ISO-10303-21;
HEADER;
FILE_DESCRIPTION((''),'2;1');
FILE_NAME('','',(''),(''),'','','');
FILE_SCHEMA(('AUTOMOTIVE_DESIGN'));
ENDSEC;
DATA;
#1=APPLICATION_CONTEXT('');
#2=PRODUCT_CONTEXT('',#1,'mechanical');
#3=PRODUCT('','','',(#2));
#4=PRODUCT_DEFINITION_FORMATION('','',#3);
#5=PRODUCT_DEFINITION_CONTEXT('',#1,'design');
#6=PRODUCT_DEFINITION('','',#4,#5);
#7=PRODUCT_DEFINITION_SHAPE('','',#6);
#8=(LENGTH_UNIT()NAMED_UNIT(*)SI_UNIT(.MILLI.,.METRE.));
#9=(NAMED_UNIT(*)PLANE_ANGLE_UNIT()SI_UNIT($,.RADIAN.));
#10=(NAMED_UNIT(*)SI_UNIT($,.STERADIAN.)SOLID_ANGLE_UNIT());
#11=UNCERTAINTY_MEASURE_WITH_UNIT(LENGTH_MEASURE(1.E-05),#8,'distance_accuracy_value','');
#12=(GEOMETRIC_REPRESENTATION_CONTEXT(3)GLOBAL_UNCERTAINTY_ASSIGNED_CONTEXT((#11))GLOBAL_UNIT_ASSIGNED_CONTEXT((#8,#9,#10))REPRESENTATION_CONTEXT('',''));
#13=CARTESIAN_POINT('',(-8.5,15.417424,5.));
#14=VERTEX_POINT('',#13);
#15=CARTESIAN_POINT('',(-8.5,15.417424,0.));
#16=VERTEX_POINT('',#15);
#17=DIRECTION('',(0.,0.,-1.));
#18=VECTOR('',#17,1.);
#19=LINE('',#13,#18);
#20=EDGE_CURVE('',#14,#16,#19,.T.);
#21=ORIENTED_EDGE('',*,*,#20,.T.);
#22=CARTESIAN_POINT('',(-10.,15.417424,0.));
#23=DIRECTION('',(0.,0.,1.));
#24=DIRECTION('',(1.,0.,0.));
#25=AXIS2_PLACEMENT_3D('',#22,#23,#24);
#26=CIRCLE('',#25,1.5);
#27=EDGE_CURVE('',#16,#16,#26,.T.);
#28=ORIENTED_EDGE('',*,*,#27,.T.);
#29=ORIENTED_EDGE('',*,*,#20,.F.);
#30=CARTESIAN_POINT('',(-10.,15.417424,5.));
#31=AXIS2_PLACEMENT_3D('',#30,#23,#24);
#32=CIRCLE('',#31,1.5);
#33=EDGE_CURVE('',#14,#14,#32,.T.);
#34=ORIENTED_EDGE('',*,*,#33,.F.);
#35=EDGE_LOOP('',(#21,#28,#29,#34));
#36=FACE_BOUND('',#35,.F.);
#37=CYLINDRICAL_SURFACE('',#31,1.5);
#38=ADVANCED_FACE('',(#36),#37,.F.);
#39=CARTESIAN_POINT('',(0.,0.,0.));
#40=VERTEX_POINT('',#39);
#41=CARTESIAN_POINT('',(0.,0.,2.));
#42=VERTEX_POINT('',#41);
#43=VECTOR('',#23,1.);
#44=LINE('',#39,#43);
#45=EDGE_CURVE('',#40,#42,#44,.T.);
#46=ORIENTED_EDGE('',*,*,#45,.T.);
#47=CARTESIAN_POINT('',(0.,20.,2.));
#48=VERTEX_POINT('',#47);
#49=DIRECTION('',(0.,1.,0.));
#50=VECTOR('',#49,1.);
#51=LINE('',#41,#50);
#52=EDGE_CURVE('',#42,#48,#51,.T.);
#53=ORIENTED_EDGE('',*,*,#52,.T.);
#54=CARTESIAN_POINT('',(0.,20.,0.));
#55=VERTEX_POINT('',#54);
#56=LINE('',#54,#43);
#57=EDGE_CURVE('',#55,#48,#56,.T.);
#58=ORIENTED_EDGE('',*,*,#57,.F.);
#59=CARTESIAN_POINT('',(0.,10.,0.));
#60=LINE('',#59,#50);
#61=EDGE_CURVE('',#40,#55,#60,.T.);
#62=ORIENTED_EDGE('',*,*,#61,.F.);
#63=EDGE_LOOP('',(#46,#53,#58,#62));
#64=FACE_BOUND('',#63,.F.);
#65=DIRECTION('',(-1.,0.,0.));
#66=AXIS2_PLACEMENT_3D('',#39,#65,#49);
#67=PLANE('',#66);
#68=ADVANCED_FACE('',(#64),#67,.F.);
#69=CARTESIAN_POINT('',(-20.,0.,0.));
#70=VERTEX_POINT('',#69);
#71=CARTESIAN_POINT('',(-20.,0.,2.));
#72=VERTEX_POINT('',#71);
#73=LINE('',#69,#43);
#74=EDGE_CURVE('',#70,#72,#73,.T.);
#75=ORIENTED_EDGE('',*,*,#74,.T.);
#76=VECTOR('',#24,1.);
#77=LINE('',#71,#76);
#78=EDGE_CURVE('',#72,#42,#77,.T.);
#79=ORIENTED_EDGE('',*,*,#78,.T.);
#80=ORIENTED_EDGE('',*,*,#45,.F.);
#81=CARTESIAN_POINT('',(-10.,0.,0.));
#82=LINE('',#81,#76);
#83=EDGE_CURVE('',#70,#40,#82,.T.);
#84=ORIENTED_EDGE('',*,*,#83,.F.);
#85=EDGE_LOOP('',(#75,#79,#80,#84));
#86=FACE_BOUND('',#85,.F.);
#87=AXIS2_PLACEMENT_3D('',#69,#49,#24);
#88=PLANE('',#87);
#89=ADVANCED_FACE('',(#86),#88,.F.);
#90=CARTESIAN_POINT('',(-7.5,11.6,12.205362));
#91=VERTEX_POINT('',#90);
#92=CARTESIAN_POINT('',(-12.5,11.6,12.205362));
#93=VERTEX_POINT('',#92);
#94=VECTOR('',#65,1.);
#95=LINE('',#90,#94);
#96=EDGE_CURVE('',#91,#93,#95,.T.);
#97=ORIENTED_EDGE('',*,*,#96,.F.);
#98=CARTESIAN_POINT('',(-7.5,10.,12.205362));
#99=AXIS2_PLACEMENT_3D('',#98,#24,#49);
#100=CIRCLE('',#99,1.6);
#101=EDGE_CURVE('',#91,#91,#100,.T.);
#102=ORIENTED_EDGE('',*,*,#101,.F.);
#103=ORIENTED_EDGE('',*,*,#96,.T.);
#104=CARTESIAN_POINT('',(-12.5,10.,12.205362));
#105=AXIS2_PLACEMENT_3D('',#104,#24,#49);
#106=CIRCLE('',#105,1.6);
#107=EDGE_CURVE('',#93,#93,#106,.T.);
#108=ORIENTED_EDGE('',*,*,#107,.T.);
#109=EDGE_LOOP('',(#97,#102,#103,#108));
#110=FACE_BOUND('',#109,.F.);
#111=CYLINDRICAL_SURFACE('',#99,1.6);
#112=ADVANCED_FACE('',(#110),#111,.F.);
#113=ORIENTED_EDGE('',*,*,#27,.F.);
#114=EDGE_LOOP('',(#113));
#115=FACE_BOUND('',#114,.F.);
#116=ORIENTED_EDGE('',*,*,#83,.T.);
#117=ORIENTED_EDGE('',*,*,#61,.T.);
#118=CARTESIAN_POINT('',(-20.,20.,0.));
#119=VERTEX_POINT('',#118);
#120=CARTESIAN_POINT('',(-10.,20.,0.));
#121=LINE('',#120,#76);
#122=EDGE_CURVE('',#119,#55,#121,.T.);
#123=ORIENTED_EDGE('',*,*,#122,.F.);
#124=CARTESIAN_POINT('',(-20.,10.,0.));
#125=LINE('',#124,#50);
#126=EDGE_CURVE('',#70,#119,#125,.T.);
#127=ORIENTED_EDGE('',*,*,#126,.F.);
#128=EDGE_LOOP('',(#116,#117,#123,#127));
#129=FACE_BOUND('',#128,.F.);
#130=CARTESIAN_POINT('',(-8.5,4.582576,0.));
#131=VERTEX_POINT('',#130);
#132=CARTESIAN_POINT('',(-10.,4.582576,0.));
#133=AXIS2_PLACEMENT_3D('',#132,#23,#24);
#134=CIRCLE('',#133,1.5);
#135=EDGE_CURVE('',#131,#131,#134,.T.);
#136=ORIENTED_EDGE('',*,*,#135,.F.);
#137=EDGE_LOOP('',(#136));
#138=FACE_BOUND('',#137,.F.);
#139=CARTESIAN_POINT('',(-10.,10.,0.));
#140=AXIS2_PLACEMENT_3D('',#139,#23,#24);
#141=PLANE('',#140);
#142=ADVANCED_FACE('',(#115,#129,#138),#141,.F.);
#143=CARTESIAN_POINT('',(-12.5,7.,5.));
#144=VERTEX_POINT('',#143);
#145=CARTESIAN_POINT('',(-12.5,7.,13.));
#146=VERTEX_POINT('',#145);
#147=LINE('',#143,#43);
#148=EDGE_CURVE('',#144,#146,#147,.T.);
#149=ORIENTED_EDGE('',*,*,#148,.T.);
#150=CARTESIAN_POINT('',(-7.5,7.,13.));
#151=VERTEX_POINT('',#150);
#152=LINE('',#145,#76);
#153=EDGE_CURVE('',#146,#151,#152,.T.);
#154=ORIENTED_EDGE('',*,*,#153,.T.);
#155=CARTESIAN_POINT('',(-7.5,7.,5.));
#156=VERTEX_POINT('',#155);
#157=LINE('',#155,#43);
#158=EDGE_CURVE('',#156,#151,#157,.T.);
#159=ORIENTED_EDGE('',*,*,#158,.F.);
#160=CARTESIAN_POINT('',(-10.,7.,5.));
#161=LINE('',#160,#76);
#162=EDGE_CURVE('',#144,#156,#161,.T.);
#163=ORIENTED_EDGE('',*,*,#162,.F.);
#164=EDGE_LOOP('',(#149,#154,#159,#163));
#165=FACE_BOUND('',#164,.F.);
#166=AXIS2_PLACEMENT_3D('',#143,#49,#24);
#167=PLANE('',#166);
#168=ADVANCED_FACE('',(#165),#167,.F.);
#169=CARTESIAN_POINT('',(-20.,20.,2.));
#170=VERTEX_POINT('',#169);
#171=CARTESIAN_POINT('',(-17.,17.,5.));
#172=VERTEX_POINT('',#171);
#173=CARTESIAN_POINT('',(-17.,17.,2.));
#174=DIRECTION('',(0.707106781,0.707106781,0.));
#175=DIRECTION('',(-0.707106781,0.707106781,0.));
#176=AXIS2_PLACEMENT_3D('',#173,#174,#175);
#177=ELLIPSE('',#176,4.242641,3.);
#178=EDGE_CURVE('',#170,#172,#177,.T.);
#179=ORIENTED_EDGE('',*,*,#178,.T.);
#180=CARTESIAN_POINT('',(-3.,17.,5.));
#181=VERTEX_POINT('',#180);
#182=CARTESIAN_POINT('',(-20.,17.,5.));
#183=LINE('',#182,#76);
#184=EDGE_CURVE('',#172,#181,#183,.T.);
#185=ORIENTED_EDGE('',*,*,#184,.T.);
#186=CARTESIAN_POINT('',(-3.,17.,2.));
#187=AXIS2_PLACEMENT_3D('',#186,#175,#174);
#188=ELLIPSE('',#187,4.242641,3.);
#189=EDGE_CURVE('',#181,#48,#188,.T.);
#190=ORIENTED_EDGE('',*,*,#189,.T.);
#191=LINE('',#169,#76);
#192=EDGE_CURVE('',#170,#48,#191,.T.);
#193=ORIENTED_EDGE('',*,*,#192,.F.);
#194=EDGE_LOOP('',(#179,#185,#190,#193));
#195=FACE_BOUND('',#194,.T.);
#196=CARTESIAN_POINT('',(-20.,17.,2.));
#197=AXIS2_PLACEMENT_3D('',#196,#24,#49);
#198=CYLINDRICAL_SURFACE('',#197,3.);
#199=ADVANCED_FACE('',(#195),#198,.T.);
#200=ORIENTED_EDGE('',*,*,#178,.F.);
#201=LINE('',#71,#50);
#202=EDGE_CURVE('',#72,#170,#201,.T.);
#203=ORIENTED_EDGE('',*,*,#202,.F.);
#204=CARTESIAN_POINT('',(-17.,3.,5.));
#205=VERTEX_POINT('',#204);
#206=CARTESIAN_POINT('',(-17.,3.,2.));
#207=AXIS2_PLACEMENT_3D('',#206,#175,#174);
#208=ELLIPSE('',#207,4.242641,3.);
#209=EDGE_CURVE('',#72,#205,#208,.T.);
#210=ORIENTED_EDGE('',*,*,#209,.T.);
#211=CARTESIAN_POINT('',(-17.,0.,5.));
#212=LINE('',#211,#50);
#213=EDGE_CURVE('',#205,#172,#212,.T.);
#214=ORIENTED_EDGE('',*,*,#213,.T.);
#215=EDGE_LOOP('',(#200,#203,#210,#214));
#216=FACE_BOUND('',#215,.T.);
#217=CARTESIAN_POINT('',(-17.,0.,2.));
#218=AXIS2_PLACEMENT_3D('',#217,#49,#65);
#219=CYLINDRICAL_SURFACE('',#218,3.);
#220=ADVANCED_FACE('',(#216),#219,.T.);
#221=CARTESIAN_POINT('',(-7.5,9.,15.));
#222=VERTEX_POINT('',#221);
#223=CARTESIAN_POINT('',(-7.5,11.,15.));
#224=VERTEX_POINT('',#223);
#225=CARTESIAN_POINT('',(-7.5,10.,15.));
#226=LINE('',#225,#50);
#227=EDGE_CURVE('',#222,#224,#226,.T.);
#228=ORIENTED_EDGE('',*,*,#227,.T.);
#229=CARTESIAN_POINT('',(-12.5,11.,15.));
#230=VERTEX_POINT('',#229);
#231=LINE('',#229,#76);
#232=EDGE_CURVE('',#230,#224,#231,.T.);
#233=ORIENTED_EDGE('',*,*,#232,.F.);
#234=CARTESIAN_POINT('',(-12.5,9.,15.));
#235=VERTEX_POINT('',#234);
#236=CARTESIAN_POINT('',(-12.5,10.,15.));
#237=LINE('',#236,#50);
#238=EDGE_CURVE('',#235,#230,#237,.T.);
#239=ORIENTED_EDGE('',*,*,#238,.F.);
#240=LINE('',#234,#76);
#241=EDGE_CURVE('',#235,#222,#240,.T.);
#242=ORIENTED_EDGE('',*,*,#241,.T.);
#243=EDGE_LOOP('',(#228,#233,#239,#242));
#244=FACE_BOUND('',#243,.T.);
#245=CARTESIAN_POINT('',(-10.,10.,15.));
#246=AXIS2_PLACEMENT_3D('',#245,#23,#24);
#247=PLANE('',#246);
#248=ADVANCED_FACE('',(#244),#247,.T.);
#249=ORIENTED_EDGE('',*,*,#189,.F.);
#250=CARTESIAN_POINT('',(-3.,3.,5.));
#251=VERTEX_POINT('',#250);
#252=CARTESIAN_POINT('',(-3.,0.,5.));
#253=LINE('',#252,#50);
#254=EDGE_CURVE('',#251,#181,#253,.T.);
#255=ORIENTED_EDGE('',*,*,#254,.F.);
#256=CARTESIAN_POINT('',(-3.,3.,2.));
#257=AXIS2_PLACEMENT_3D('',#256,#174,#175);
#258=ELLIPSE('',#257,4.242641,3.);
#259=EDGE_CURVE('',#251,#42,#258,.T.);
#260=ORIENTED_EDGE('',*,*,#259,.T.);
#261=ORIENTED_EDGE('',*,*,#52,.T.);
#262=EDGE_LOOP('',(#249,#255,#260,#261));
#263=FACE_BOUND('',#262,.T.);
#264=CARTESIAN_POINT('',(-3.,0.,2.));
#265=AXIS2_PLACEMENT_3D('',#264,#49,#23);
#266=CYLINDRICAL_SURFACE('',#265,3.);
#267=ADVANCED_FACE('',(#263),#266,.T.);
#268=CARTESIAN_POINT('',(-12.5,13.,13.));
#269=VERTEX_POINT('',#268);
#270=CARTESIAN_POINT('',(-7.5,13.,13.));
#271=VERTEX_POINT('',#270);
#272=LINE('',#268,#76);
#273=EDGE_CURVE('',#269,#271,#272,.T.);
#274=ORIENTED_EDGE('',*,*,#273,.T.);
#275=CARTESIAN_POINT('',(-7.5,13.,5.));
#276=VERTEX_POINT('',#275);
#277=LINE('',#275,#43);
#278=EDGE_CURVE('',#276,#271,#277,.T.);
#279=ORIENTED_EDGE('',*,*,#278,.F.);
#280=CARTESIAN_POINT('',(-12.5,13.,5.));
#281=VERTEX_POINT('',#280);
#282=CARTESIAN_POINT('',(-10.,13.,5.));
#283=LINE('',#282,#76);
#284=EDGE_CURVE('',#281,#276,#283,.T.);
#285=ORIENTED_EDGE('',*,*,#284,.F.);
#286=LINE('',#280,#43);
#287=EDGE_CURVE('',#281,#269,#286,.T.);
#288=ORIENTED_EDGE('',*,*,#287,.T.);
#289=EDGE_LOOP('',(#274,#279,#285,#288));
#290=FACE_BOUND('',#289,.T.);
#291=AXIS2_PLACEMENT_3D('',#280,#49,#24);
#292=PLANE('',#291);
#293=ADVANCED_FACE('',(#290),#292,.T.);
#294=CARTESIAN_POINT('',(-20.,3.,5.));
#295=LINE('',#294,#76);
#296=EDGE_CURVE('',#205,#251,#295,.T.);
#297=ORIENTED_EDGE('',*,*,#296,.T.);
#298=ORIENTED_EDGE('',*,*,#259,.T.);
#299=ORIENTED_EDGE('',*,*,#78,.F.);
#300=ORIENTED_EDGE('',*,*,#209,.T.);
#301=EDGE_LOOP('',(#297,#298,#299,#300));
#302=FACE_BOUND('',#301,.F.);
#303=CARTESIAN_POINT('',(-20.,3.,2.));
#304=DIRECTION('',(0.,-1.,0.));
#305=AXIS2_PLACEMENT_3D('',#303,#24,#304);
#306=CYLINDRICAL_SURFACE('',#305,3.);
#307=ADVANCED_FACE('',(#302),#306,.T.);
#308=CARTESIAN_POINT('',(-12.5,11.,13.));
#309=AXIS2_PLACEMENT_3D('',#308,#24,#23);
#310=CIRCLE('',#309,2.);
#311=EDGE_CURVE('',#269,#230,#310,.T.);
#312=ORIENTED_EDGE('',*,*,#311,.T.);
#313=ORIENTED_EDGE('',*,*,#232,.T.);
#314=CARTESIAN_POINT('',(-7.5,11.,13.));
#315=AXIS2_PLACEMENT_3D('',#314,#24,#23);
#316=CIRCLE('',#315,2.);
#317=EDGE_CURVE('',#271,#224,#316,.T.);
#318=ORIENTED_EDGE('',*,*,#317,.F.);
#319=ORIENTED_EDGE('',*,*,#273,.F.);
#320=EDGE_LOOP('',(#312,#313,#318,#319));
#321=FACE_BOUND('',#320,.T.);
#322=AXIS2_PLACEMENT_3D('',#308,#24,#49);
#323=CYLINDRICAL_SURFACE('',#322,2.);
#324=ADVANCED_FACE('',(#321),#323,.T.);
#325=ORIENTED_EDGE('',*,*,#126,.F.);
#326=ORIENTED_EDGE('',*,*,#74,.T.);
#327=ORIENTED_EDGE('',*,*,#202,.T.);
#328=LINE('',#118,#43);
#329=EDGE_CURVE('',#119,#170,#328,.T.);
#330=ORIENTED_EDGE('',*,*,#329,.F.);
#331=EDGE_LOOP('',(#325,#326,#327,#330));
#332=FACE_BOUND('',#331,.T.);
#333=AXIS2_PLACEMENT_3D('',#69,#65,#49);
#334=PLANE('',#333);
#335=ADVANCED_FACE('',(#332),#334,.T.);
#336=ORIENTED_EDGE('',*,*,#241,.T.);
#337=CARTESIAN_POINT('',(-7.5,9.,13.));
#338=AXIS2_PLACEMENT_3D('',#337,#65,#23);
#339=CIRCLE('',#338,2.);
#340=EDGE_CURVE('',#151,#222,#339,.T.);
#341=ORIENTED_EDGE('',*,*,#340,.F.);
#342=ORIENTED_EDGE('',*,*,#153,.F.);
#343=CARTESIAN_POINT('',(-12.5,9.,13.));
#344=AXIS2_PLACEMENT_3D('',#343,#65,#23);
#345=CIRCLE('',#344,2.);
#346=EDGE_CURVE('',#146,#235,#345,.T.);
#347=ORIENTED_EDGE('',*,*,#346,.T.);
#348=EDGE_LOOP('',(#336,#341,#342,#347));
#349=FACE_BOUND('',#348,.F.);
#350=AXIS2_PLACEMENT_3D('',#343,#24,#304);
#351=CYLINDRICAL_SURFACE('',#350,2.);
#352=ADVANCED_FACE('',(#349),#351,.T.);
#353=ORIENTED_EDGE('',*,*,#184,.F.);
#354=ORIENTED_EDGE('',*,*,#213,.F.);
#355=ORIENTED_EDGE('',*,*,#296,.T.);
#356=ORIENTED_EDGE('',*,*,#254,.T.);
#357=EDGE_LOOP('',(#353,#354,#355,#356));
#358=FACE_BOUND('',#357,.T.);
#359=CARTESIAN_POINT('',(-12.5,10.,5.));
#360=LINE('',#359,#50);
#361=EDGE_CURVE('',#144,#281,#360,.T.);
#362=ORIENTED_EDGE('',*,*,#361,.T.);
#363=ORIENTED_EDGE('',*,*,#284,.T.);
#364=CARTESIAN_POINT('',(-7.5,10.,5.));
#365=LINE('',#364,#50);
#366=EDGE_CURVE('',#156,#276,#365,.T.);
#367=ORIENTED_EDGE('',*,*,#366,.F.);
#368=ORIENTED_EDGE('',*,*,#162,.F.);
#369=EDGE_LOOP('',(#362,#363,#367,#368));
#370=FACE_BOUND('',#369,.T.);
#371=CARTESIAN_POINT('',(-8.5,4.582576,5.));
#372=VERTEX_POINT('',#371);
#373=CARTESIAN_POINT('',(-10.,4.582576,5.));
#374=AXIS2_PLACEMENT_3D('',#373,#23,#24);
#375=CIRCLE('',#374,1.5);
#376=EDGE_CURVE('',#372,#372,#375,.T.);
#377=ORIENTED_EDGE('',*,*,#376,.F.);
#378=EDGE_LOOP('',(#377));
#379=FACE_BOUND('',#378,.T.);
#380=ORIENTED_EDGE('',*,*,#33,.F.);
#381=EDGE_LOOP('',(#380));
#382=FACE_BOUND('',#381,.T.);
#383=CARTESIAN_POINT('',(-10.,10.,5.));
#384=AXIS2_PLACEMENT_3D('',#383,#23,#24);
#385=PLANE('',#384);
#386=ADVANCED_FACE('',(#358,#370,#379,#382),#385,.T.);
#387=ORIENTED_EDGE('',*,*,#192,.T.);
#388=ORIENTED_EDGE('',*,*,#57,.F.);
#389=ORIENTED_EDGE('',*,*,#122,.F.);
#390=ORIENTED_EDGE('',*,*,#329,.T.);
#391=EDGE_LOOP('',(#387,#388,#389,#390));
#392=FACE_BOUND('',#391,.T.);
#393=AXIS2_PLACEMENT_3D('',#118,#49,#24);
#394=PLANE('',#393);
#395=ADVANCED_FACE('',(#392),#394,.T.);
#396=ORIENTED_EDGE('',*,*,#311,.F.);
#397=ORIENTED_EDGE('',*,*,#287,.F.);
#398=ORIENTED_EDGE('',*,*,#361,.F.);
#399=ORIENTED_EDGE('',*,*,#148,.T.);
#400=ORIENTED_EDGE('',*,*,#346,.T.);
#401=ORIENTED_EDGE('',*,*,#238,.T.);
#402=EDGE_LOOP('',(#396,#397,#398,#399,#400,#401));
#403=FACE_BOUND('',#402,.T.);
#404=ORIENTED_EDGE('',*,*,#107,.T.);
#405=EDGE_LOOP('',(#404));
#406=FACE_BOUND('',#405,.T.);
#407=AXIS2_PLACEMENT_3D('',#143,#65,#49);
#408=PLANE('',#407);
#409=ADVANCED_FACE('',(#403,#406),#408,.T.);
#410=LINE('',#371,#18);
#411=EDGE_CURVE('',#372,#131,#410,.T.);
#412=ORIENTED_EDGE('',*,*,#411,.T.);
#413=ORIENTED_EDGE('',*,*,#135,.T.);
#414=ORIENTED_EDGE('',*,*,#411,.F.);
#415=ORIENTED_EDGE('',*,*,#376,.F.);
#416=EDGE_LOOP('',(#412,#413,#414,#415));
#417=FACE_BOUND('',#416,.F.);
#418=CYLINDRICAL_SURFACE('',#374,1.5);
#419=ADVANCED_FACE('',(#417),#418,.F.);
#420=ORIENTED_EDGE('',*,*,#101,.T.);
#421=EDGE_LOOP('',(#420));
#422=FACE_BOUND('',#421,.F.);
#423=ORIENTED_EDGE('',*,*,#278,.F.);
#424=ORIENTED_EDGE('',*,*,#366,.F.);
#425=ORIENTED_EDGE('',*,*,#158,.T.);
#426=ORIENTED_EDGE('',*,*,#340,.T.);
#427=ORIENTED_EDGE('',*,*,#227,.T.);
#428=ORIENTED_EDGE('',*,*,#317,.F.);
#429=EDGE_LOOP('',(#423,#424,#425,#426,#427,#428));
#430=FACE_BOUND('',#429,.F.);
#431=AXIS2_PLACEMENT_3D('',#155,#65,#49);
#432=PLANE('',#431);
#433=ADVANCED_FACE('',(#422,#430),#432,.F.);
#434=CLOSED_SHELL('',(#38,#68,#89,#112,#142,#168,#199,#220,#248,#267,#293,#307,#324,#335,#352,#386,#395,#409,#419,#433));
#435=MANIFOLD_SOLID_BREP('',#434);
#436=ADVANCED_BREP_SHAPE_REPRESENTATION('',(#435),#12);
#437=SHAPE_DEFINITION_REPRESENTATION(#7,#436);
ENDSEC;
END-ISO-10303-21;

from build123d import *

# Parameters (mm, degrees)
SKETCH_W        = 20
SKETCH_H        = 20
PAD_DEPTH       = 5
SKETCH001_W     = 5
SKETCH001_H     = 6
PAD001_DEPTH    = 10
SKETCH002_R     = 1.6
POCKET_DEPTH    = 12.501
SKETCH003_R     = 1.5
POCKET001_DEPTH = 5.001
FILLET_R        = 3
FILLET001_R     = 2


with BuildPart() as part:
    # Sketch → Pad (new body)
    with BuildSketch(Plane.XY):
        with Locations((-10, 10)):
            Rectangle(SKETCH_W, SKETCH_H)
    extrude(amount=PAD_DEPTH)

    # Sketch001 (on Face6 of Pad) → Pad001 (join)
    with BuildSketch(Plane.XY.offset(5)):
        with Locations((-10, 10)):
            Rectangle(SKETCH001_W, SKETCH001_H)
    extrude(amount=PAD001_DEPTH)

    # Sketch002 (on Face8 of Pad001) → Pocket (cut, through all)
    with BuildSketch(Plane.YZ.offset(-7.5)):
        with Locations((10, 12.205362)):
            Circle(SKETCH002_R)
    extrude(amount=-POCKET_DEPTH, mode=Mode.SUBTRACT)

    # Sketch003 (on Face5 of Pocket) → Pocket001 (cut, through all)
    with BuildSketch(Plane.XY.offset(5)):
        with Locations((-10, 15.417424)):
            Circle(SKETCH003_R)
        with Locations((-10, 4.582576)):
            Circle(SKETCH003_R)
    extrude(amount=-POCKET001_DEPTH, mode=Mode.SUBTRACT)

    # Fillet
    fillet_edges = [part.edges().sort_by_distance(p)[0] for p in [
        (0, 10, 5),
        (-10, 0, 5),
        (-20, 10, 5),
        (-10, 20, 5),
    ]]
    fillet(fillet_edges, radius=FILLET_R)

    # Fillet001
    fillet001_edges = [part.edges().sort_by_distance(p)[0] for p in [
        (-10, 7, 15),
        (-10, 13, 15),
    ]]
    fillet(fillet001_edges, radius=FILLET001_R)


solid = part.part
